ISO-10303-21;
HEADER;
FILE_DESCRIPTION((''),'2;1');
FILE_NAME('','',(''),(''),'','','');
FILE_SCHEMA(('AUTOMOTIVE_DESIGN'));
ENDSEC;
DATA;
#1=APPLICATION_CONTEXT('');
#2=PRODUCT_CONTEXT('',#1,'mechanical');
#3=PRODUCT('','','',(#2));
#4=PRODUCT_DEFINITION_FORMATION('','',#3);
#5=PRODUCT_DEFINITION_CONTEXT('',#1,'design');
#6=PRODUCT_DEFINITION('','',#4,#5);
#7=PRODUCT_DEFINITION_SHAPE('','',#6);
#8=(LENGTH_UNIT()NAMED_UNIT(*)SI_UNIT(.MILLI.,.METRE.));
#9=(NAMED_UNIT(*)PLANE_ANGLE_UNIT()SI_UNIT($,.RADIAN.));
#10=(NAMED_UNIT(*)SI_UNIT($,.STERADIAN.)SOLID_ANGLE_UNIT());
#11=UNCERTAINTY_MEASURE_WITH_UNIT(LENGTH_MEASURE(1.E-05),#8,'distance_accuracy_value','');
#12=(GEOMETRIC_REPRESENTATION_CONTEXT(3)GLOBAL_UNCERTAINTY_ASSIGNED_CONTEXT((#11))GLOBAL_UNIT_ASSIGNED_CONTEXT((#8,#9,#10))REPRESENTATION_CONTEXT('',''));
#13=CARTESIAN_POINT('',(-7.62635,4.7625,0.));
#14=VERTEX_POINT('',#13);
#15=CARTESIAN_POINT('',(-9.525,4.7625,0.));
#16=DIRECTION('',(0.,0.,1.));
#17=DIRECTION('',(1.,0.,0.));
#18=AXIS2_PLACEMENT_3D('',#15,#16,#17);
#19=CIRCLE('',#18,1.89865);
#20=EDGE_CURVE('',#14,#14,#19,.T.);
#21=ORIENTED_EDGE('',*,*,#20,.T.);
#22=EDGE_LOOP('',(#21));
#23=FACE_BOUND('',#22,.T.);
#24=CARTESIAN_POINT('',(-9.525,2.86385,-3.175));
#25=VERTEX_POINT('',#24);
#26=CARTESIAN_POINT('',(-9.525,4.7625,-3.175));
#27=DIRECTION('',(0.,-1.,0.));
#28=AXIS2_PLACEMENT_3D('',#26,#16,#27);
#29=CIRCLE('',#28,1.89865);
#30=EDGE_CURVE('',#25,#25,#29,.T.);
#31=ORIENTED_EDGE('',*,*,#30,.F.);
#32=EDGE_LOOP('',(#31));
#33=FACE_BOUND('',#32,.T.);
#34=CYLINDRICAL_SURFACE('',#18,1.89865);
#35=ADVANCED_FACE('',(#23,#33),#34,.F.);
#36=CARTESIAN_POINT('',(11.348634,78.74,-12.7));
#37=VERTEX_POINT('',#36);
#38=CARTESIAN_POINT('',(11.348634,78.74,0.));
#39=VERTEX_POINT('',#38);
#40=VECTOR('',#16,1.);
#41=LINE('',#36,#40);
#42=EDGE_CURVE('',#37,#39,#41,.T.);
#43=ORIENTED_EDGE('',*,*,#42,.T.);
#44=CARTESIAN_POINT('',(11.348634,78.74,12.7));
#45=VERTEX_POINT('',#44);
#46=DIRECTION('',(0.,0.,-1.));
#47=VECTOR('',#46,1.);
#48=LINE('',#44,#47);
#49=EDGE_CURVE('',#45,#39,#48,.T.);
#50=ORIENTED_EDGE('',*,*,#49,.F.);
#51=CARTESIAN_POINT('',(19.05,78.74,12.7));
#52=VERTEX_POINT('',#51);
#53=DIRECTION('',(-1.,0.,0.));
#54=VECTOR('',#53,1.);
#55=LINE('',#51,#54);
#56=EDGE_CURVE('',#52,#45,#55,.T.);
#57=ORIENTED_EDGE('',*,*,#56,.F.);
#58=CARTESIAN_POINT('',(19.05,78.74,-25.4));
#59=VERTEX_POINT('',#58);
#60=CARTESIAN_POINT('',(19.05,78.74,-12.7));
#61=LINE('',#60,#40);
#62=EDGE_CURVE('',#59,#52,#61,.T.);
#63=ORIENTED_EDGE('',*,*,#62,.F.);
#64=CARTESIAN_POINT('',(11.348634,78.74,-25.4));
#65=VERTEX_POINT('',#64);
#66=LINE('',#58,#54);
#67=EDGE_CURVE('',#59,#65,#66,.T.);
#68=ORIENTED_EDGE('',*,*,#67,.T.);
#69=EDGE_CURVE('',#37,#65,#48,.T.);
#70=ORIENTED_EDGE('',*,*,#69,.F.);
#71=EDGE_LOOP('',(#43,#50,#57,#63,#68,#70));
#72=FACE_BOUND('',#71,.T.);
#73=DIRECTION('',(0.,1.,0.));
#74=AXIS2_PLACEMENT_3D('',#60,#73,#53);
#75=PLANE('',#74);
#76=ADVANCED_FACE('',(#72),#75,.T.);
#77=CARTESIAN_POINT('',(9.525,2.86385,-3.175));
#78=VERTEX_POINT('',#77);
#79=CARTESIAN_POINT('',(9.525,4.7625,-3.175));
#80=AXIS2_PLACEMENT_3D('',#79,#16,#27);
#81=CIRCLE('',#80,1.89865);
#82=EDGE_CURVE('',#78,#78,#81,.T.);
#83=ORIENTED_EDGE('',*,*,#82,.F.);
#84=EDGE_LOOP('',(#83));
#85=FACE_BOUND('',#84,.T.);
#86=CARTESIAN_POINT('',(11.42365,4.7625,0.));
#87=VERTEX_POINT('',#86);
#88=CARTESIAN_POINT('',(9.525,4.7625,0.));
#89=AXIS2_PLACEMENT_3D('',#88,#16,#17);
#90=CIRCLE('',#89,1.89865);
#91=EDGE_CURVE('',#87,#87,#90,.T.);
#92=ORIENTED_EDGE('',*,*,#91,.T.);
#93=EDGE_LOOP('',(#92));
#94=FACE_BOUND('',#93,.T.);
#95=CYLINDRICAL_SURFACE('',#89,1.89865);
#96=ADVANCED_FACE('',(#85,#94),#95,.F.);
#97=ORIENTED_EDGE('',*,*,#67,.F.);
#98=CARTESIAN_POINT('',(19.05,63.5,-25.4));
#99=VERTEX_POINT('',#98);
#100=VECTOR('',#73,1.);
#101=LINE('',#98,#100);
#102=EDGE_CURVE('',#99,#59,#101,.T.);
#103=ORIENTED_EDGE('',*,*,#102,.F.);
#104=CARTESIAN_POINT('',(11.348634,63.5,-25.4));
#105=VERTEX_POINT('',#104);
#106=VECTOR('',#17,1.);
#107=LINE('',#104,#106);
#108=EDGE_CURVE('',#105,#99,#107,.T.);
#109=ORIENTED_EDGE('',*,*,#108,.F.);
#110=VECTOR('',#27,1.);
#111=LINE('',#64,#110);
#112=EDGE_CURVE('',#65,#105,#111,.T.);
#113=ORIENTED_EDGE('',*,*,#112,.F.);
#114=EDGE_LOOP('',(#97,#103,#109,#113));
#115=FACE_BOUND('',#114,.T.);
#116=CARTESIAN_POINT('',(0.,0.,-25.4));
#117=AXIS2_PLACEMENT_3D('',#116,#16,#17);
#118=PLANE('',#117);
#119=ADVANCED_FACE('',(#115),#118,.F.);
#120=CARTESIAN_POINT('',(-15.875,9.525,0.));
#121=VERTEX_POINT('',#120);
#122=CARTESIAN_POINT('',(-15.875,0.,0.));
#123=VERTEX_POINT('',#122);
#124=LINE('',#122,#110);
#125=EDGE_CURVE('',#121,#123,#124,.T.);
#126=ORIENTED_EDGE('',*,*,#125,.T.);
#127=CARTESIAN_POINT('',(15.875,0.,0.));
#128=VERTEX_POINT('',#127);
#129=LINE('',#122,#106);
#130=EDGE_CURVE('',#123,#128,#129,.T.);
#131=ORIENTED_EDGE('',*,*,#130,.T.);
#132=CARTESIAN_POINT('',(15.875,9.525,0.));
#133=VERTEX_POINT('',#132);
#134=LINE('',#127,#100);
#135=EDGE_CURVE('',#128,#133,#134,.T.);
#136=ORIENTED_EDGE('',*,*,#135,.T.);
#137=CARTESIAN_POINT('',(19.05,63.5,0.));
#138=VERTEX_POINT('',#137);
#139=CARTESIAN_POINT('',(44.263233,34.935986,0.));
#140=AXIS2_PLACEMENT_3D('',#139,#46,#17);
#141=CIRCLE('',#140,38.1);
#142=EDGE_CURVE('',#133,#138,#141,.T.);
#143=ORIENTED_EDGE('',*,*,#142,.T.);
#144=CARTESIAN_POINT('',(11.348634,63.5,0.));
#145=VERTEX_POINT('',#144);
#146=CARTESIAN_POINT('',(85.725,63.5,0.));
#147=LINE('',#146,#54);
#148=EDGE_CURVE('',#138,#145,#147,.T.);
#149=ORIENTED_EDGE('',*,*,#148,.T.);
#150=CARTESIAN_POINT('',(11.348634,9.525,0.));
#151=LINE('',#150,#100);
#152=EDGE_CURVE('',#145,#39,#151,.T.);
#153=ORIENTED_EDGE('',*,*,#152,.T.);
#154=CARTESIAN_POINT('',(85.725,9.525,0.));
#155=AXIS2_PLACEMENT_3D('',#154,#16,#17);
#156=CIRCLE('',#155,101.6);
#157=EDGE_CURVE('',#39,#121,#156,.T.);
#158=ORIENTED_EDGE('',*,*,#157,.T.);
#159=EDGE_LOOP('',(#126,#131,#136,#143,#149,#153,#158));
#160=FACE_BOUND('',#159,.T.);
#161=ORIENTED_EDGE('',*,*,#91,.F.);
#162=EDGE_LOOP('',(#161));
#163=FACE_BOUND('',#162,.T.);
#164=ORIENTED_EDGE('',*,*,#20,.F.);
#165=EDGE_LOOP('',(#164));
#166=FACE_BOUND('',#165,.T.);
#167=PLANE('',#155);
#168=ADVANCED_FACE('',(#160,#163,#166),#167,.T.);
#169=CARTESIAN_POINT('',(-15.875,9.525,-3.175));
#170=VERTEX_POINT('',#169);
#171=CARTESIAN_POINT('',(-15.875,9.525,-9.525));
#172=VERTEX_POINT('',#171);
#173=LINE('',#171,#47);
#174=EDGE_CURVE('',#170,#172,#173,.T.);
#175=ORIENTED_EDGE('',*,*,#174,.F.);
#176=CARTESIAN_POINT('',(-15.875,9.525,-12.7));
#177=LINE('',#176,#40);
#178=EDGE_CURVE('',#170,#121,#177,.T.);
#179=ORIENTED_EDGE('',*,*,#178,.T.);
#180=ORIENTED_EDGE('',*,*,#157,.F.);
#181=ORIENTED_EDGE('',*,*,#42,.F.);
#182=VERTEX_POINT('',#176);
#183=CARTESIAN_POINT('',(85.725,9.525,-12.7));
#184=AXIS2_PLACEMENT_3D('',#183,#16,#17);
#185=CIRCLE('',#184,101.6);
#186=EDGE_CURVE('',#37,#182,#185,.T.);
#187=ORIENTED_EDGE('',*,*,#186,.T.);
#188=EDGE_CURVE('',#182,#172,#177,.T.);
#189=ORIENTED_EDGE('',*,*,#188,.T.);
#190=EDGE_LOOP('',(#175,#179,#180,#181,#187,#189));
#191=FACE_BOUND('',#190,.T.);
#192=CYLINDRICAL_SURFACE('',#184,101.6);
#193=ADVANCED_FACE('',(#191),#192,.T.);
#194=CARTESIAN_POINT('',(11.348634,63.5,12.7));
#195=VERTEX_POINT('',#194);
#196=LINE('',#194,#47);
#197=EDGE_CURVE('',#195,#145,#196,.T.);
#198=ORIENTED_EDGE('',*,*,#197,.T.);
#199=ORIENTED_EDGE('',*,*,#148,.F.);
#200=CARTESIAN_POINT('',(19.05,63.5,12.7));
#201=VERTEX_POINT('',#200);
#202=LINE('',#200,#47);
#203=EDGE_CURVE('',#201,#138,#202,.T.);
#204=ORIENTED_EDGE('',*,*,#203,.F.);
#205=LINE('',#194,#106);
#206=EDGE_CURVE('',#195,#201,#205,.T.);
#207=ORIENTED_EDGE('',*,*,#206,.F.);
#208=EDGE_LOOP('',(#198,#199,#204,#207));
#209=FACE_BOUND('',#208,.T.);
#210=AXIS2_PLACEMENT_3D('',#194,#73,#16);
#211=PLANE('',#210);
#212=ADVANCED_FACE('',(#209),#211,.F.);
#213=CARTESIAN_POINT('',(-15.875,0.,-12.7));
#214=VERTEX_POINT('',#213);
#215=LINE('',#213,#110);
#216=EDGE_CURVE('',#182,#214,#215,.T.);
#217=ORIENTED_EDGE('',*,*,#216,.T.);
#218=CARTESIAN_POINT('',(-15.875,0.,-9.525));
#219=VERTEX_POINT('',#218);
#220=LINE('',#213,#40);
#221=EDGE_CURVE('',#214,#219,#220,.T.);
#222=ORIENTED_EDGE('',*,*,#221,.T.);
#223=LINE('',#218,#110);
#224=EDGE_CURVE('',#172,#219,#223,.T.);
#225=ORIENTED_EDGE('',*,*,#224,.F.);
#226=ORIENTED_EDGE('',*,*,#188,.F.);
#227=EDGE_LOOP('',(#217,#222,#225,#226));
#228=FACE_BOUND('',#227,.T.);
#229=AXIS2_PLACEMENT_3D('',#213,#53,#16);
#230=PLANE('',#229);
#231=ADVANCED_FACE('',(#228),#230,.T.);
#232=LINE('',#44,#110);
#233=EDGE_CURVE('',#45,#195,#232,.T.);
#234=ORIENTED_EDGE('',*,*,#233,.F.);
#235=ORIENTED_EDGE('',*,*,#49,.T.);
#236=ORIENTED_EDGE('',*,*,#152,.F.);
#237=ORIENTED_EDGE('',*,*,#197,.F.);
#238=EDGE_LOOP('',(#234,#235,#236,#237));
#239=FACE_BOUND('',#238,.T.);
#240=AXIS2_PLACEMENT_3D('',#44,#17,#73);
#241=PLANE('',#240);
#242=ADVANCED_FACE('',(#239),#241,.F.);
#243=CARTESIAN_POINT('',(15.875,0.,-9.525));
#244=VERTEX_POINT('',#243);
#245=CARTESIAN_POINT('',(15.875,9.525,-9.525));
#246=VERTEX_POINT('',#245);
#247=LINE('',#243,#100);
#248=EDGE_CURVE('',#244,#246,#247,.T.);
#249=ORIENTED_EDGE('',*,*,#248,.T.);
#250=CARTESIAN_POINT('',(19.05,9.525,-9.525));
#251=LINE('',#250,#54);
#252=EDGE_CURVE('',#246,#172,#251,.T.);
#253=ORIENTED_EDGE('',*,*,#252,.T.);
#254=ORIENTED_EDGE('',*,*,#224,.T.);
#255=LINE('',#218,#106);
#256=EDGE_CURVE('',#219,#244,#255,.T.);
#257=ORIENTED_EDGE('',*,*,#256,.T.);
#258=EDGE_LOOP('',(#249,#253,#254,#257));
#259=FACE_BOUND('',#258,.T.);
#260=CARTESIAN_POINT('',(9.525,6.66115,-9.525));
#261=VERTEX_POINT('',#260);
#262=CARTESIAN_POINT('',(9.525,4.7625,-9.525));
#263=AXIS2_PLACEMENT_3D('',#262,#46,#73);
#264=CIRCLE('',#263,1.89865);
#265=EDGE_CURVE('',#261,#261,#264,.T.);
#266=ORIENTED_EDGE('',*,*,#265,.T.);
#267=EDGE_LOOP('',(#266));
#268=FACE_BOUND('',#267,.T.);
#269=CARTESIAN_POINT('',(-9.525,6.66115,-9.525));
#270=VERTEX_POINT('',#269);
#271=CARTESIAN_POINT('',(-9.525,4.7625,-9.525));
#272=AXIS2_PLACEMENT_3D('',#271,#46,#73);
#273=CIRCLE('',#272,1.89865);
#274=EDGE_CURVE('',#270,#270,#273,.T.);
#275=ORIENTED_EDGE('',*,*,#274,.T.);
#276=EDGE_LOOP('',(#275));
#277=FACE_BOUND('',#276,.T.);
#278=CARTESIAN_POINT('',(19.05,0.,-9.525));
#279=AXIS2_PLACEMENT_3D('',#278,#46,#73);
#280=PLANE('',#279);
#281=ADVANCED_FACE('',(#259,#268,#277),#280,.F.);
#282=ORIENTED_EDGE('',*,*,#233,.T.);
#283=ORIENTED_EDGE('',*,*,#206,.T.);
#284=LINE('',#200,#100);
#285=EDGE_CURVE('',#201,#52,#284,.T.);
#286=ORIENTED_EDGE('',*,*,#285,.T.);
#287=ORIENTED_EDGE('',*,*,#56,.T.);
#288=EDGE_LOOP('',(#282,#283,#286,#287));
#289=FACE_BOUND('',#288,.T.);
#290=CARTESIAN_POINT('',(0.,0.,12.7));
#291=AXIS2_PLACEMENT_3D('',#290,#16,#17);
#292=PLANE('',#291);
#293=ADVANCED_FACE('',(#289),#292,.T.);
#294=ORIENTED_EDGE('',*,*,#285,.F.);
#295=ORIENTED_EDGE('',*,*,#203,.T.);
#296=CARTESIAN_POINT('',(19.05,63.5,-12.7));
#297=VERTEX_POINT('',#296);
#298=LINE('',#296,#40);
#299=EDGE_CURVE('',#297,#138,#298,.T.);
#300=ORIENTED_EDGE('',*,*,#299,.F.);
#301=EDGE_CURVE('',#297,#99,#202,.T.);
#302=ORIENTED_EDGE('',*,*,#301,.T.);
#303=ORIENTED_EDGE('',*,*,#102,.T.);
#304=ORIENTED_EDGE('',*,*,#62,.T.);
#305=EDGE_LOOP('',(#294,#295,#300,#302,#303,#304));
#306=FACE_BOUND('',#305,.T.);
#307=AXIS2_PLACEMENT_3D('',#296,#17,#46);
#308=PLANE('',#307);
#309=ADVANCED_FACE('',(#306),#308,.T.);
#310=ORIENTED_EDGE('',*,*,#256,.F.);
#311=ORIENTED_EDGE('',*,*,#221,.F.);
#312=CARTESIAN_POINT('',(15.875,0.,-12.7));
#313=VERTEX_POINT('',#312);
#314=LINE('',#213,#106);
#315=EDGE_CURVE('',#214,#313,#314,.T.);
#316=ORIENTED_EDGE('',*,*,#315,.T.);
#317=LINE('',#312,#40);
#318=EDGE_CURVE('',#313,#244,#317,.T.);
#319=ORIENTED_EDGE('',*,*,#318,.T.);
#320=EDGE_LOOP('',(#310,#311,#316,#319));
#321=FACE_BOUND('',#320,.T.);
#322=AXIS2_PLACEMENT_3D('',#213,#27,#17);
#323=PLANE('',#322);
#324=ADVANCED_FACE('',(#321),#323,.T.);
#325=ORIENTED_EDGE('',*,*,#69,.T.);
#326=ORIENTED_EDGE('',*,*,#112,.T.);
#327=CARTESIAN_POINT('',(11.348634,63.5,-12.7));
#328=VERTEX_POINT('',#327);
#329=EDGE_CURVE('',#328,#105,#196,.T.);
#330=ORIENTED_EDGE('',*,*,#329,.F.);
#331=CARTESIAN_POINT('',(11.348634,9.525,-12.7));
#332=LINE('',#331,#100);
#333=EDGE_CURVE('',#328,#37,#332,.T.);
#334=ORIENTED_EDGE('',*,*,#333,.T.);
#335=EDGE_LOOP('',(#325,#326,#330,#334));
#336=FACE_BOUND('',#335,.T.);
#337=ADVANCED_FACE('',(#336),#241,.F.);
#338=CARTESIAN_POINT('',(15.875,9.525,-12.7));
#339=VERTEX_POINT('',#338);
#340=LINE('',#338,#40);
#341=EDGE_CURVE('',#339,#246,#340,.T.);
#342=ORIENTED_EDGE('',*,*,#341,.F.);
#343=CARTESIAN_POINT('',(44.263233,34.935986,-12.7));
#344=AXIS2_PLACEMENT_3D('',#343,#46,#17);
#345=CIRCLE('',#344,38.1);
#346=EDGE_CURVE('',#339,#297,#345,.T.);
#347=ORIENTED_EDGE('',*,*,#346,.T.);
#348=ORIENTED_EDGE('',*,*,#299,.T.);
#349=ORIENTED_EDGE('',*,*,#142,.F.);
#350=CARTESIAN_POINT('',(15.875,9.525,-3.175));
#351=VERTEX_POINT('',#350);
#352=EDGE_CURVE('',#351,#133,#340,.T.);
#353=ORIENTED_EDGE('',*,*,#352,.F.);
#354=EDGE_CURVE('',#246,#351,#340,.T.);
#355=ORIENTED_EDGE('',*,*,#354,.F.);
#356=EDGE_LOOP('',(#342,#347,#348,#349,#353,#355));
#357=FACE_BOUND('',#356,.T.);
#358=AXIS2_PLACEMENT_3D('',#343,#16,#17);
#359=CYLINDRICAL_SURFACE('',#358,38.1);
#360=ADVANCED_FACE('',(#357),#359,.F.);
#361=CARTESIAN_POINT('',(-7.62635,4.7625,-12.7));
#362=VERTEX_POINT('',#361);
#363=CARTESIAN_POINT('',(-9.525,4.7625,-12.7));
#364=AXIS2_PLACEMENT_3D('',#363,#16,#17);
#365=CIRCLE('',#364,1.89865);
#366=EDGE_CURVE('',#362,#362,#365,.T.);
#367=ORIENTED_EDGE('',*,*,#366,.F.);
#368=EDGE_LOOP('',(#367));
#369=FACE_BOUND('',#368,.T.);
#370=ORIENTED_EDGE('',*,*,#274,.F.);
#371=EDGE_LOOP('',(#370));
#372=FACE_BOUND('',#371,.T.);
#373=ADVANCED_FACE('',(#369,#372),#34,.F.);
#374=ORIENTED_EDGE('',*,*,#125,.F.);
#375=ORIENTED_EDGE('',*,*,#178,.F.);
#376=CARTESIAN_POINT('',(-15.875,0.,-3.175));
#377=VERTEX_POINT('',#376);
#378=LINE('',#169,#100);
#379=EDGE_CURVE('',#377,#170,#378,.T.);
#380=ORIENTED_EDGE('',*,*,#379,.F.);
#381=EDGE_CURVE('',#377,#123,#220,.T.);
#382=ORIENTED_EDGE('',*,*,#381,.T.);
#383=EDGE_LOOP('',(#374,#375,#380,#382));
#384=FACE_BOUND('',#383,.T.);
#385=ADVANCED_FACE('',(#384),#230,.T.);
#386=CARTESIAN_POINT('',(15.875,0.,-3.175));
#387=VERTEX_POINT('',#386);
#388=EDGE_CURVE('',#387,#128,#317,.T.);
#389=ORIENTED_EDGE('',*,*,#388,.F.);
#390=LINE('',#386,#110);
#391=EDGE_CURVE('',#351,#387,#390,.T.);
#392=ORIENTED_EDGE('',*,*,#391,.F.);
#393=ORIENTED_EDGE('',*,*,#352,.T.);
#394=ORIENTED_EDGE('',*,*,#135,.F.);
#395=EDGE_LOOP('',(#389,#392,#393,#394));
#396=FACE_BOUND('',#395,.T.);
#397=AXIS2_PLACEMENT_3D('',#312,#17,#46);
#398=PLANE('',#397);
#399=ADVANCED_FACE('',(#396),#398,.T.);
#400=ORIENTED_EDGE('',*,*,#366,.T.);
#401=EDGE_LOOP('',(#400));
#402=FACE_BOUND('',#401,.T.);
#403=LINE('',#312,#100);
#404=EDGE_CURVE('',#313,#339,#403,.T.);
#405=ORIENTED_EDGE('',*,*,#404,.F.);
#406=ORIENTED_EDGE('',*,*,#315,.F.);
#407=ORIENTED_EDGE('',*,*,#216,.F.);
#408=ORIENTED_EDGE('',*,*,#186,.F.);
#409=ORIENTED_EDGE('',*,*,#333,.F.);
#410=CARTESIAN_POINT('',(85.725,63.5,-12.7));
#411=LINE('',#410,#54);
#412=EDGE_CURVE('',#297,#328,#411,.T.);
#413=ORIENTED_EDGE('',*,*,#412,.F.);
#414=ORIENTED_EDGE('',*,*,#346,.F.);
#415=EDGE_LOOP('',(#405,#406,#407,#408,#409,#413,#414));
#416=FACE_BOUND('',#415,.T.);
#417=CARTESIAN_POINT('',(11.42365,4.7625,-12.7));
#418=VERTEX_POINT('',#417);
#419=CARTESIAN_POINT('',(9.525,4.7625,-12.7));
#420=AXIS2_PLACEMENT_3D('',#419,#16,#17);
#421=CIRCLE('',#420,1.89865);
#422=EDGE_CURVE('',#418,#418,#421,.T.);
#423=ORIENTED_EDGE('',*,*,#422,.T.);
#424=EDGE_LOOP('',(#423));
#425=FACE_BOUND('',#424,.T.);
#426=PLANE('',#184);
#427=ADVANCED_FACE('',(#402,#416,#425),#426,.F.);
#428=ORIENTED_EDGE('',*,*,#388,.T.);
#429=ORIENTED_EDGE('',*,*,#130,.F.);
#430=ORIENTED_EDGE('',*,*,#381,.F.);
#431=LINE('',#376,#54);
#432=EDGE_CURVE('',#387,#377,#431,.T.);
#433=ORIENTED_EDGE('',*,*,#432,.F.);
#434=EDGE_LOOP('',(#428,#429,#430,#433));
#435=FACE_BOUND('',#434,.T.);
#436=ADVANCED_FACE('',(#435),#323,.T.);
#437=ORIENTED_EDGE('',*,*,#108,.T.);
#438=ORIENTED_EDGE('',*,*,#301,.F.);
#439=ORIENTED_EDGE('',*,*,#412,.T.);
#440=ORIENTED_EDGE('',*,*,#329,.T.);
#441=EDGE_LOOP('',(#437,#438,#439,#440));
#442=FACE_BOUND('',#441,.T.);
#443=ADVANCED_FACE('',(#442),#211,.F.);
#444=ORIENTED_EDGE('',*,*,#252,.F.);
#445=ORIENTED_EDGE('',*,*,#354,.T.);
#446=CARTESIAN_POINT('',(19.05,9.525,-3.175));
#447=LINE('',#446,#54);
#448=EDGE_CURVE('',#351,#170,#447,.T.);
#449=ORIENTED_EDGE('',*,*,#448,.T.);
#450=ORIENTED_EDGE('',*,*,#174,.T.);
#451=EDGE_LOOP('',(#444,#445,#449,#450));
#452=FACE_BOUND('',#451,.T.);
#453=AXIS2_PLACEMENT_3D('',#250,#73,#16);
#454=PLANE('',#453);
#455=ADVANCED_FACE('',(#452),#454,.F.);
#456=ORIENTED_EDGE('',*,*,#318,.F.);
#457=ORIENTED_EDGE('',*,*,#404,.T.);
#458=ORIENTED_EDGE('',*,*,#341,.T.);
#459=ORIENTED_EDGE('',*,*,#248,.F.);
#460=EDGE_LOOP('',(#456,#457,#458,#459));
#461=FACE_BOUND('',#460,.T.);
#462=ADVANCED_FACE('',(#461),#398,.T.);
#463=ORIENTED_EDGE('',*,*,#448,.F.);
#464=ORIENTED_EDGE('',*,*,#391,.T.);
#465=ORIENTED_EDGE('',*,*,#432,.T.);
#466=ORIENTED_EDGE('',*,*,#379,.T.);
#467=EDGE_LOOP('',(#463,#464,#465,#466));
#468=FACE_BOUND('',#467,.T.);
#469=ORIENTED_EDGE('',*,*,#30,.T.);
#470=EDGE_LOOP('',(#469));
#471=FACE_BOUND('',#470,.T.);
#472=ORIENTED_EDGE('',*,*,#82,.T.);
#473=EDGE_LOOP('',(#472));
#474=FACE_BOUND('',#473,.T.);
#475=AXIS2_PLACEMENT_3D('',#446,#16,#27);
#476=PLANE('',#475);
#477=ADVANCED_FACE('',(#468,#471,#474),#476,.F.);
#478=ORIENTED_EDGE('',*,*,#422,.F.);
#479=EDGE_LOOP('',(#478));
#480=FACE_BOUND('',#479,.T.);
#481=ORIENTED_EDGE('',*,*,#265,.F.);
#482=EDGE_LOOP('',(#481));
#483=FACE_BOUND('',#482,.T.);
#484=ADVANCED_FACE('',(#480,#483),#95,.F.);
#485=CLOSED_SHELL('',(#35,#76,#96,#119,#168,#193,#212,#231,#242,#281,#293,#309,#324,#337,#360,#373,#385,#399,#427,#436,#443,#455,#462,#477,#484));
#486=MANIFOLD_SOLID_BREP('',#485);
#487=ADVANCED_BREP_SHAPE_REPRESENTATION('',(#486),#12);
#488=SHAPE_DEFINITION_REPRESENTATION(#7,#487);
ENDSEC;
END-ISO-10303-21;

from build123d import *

# Parameters (mm, degrees)
BOSS_EXTRUDE1_DEPTH   = 12.7
SKETCH5_W             = 6.35
SKETCH5_H             = 9.525
CUT_EXTRUDE1_DEPTH    = 35.925
F_6_CLEARANCE_HOLE1_D = 3.7973
SKETCH9_W             = 7.701365702
SKETCH9_H             = 15.24
BOSS_EXTRUDE2_DEPTH   = 19.05


with BuildPart() as part:
    # Sketch1 → Boss-Extrude1 (new body)
    with BuildSketch(Plane.XY):
        with BuildLine():
            Line((-15.875, 0), (15.875, 0))
            Line((15.875, 0), (15.875, 9.525))
            ThreePointArc((15.875, 9.525), (6.228979432, 37.173295328), (19.05, 63.5))
            Line((19.05, 63.5), (19.05, 78.74))
            Line((19.05, 78.74), (11.348634298, 78.74))
            ThreePointArc((11.348634298, 78.74), (-8.824454666, 46.71317853), (-15.875, 9.525))
            Line((-15.875, 9.525), (-15.875, 0))
        make_face()
    extrude(amount=-BOSS_EXTRUDE1_DEPTH)

    # Sketch5 → Cut-Extrude1 (cut, through all)
    with BuildSketch(Plane.ZY.offset(15.875)):
        with Locations((-6.35, 4.7625)):
            Rectangle(SKETCH5_W, SKETCH5_H)
    extrude(amount=-CUT_EXTRUDE1_DEPTH, mode=Mode.SUBTRACT)

    # #6 Clearance Hole1 (through all)
    with Locations(Plane.XY):
        with Locations((9.525, 4.7625), (-9.525, 4.7625)):
            Hole(F_6_CLEARANCE_HOLE1_D / 2)

    # Sketch9 → Boss-Extrude2 (add, symmetric)
    with BuildSketch(Plane.XY.offset(-6.35)):
        with Locations((15.199317149, 71.12)):
            Rectangle(SKETCH9_W, SKETCH9_H)
    extrude(amount=BOSS_EXTRUDE2_DEPTH, both=True)


solid = part.part
